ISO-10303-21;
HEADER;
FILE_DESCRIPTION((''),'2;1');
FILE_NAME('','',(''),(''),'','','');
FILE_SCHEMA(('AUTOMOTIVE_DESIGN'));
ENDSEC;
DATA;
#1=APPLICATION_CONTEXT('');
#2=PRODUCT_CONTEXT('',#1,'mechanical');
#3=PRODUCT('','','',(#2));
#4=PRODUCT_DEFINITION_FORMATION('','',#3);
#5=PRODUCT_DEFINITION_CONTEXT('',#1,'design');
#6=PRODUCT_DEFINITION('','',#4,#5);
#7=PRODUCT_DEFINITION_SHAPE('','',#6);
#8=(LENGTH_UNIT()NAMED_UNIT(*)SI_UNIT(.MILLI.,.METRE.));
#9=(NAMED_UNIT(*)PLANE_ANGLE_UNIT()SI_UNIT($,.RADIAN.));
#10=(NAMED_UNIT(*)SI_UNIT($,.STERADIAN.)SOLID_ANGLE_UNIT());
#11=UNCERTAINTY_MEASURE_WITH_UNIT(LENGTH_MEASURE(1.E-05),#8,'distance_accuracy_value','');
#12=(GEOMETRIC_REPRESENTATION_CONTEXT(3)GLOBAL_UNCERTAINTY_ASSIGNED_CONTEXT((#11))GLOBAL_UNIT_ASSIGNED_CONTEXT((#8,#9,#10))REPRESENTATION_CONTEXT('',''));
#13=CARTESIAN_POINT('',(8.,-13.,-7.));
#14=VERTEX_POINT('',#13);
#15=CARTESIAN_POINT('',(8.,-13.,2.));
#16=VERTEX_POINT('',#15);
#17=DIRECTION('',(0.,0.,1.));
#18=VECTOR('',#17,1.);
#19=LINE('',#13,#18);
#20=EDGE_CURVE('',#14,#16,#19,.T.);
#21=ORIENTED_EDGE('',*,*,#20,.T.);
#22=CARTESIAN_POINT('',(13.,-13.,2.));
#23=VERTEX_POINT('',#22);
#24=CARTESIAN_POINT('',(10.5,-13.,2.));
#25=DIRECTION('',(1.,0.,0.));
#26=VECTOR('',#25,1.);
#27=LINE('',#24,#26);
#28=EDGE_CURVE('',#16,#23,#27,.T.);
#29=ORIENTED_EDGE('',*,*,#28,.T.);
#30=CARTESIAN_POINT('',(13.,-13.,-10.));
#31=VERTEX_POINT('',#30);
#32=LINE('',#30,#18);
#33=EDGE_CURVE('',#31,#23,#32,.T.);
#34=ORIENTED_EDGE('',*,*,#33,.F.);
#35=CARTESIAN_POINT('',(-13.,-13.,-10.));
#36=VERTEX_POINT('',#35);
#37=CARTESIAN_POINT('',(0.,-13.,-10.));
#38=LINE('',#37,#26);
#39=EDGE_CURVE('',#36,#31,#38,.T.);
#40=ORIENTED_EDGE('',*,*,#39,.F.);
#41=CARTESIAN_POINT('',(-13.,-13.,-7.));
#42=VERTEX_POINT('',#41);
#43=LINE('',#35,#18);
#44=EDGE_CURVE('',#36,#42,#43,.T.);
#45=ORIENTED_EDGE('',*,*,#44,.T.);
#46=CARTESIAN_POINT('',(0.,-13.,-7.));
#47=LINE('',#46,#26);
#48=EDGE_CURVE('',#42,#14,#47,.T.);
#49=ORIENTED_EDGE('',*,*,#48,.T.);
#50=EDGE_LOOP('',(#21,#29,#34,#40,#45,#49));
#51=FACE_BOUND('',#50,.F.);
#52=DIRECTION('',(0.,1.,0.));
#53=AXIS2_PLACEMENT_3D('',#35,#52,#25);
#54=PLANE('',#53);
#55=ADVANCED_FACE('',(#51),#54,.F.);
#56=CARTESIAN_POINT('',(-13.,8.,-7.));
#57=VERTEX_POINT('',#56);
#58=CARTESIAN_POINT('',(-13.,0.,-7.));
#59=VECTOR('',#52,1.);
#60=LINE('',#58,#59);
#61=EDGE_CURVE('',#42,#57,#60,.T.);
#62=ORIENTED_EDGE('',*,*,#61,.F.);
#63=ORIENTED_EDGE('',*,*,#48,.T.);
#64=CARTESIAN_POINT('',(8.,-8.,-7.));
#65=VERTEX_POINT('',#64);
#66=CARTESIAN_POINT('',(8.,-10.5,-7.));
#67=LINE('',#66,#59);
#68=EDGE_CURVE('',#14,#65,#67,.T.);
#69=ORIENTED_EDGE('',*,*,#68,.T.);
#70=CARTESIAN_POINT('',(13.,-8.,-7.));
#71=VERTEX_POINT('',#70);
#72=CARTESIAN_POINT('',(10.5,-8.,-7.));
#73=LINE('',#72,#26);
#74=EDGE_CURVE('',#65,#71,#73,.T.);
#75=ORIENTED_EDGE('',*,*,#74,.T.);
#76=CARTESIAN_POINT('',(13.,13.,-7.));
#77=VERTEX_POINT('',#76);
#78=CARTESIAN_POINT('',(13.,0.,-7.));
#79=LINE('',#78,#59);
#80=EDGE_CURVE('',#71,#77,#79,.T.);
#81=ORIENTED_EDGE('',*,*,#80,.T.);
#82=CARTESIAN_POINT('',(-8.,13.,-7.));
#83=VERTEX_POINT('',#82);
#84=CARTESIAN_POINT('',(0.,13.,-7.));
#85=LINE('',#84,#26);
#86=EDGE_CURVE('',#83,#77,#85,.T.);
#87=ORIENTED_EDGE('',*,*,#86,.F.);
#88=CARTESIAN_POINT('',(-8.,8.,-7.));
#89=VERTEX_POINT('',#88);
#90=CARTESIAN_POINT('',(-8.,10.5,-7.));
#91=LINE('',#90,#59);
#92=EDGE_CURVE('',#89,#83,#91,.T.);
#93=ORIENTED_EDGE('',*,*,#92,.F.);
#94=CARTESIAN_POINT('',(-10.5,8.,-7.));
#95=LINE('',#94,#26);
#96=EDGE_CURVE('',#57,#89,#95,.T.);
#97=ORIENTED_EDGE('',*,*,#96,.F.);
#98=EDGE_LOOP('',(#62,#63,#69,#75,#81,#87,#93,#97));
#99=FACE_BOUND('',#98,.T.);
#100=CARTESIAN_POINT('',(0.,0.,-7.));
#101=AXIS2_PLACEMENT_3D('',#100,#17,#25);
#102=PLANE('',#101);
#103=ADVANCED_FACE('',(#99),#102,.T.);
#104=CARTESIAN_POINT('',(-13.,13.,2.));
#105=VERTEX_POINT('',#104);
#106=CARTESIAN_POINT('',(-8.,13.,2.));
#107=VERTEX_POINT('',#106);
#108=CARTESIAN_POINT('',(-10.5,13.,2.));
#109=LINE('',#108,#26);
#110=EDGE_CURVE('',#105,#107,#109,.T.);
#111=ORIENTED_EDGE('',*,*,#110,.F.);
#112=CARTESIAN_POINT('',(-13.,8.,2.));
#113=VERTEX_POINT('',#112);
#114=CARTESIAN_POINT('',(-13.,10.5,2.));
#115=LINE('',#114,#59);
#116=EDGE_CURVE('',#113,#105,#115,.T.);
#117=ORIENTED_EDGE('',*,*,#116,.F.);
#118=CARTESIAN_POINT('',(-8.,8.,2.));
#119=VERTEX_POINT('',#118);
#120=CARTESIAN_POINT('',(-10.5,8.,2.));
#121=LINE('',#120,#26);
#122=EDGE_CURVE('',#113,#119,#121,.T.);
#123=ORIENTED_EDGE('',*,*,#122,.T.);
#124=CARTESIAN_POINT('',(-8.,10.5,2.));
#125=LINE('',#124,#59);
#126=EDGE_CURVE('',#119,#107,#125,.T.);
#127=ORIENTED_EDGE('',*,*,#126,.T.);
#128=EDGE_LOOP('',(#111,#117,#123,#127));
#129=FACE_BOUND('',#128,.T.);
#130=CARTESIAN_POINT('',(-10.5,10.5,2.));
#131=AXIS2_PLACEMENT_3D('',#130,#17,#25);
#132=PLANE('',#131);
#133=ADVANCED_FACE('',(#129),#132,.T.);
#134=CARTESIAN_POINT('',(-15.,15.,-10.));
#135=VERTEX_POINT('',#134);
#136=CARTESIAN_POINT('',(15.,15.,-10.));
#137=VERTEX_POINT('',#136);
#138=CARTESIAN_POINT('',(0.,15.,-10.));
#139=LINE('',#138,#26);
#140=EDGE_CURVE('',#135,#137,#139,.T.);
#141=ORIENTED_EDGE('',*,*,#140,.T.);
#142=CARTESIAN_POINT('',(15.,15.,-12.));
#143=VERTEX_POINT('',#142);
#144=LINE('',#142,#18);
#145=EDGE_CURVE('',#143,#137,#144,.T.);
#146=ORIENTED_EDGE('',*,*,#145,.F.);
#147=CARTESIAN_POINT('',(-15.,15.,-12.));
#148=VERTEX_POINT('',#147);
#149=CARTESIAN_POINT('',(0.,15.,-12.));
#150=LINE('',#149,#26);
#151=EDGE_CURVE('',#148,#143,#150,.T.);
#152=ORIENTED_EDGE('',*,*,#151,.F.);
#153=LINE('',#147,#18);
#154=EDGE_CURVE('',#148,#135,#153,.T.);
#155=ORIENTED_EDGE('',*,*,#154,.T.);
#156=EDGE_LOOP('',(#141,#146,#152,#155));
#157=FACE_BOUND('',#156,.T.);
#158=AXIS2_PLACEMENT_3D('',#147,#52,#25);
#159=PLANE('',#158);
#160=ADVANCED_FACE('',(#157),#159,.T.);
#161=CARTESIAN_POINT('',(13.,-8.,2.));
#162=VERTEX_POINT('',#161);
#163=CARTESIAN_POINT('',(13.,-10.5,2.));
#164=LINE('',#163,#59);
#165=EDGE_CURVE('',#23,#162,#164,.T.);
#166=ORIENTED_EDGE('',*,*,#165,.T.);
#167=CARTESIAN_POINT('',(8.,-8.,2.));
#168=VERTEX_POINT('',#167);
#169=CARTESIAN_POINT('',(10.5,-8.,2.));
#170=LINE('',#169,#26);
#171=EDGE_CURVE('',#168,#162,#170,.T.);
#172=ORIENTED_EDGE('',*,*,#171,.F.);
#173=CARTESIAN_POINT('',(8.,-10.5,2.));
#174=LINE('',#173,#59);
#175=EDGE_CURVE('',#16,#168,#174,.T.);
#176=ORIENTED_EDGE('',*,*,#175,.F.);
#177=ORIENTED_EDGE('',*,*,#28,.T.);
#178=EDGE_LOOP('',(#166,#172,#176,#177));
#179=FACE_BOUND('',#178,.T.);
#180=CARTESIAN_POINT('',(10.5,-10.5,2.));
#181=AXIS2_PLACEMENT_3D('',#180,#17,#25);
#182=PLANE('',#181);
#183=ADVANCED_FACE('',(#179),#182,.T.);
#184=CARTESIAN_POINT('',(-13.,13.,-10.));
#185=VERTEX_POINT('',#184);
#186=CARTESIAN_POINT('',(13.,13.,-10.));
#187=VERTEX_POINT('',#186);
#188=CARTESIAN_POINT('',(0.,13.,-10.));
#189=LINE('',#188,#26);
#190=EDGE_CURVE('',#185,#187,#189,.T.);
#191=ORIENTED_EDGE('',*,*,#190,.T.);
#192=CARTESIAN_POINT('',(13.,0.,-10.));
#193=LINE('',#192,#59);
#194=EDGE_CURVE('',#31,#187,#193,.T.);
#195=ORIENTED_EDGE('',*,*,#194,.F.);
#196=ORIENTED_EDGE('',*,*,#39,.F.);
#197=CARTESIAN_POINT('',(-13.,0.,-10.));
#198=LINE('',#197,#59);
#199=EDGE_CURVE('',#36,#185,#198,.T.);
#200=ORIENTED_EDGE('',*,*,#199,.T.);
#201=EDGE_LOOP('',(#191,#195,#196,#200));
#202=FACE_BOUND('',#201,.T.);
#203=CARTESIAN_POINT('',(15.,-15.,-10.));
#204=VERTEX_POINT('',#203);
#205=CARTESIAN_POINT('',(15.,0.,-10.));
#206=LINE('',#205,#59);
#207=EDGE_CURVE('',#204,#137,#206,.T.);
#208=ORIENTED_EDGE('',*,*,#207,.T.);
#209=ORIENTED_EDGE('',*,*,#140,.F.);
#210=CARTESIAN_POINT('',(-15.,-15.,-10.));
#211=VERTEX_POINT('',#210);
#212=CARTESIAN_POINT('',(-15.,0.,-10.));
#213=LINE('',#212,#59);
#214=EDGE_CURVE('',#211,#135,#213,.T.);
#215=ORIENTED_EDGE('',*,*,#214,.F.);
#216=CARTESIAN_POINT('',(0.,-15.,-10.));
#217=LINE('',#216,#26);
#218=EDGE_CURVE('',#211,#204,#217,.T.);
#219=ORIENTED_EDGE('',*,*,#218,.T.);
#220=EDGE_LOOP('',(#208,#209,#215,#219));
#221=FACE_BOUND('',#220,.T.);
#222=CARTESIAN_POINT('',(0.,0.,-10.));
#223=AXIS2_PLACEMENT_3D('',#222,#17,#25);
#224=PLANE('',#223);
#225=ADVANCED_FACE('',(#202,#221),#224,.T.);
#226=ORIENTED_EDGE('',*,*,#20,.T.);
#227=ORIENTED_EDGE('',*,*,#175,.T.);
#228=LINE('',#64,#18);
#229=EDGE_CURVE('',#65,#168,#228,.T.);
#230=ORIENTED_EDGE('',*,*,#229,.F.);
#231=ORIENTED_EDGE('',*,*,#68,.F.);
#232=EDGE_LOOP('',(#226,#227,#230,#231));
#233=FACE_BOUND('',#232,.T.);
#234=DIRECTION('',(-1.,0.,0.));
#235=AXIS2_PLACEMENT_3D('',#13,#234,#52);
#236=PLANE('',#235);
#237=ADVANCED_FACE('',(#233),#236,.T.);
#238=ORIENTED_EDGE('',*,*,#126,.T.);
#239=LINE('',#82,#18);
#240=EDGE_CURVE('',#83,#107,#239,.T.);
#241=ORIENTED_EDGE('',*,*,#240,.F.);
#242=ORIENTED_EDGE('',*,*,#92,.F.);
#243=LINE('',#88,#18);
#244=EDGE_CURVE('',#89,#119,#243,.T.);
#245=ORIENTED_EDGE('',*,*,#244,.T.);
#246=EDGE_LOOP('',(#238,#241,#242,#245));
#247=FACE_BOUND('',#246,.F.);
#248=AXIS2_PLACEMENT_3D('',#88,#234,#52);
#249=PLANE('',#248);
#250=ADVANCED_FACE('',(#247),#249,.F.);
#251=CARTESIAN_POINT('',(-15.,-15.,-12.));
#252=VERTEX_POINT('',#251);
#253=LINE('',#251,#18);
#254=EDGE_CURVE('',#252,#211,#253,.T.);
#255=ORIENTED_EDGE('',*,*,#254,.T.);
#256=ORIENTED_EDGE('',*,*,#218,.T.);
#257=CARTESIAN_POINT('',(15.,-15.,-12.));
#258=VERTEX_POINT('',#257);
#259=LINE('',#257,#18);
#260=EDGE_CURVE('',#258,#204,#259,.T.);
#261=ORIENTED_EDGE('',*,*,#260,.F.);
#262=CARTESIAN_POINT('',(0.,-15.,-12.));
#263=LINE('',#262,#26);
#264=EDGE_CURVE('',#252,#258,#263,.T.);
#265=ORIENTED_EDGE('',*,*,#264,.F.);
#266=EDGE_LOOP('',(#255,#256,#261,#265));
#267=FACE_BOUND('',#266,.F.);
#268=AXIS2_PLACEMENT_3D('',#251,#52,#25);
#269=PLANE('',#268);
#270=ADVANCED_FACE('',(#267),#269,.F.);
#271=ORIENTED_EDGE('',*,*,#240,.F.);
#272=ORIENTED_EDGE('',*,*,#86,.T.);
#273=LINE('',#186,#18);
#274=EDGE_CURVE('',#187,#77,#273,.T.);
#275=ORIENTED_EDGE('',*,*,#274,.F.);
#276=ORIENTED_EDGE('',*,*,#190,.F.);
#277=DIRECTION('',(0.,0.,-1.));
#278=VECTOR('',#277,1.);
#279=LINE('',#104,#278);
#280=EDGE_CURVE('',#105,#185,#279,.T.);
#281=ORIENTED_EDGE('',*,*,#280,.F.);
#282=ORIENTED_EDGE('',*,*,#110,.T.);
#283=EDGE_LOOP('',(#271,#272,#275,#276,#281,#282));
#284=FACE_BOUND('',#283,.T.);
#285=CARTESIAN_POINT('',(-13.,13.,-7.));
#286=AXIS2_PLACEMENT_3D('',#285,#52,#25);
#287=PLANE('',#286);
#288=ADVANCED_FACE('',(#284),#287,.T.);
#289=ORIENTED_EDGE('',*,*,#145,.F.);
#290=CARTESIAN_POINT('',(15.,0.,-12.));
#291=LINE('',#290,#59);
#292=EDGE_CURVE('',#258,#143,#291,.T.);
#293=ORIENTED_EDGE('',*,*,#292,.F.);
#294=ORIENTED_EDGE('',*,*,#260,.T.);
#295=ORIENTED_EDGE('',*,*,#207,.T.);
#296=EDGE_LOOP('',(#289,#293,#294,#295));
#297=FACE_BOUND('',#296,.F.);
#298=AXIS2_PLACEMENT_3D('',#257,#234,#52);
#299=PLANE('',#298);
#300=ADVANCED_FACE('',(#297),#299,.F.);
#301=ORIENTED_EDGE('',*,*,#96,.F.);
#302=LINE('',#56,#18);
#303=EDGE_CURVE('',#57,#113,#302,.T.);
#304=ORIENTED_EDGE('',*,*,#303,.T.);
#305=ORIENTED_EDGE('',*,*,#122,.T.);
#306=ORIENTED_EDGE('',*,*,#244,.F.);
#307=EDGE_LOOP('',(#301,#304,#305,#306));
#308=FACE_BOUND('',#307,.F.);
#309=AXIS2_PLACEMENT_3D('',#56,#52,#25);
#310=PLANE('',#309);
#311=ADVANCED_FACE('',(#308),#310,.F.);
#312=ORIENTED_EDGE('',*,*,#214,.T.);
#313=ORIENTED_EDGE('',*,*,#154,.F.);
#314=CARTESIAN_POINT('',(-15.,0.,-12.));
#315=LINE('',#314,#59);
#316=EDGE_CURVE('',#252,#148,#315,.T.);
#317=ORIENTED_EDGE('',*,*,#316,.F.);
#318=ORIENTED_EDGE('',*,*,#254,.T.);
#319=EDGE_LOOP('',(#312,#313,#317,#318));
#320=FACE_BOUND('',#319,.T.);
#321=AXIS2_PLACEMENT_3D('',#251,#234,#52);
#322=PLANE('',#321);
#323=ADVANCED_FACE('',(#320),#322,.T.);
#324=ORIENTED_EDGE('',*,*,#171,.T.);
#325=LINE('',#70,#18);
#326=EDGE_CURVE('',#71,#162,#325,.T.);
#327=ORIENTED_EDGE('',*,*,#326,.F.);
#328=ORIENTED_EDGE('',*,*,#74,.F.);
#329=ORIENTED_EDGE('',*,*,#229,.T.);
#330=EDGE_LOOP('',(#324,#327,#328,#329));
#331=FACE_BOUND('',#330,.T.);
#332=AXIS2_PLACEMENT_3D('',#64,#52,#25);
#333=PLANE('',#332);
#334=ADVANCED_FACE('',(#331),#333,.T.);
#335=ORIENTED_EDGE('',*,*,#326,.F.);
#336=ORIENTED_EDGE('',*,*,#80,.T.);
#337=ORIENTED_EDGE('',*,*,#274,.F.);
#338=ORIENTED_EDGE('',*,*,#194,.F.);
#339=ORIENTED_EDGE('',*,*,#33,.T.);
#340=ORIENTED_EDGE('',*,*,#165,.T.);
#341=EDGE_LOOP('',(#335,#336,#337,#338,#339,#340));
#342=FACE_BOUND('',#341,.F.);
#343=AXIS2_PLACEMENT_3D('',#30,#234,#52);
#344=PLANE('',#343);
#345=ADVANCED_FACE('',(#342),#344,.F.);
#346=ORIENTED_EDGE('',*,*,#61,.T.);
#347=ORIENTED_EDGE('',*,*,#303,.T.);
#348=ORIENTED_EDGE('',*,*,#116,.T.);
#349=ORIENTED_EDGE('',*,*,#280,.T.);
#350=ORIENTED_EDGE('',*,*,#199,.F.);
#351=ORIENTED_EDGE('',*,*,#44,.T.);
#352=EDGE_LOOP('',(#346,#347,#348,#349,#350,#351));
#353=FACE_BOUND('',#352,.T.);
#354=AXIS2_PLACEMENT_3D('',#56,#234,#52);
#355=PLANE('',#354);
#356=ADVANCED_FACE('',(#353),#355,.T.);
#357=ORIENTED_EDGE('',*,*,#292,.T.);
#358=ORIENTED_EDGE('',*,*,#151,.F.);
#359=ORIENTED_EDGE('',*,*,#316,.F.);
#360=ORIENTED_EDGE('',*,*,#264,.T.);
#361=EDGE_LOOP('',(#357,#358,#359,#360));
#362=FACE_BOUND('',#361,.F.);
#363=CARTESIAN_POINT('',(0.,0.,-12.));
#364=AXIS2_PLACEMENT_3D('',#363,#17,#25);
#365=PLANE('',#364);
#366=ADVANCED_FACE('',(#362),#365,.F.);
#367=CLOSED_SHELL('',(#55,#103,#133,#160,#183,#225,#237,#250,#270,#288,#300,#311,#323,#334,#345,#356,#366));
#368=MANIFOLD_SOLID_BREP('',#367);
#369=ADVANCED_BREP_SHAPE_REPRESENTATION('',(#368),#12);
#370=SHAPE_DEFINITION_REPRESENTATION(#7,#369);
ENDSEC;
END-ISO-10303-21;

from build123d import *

# Parameters (mm, degrees)
BOX013_W     = 26
BOX013_H     = 26
BOX013_DEPTH = 3
BOX014_W     = 5
BOX014_H     = 5
BOX014_DEPTH = 9
BOX012_W     = 30
BOX012_H     = 30
BOX012_DEPTH = 2
BOX015_W     = 5
BOX015_H     = 5
BOX015_DEPTH = 9


with BuildPart() as kapakic:
    # Box013 → Box013 (new body)
    with BuildSketch(Plane(origin=(-13, -13, -10), x_dir=(1, 0, 0), z_dir=(0, 0, 1))):
        with Locations((13, 13)):
            Rectangle(BOX013_W, BOX013_H)
    extrude(amount=BOX013_DEPTH)


with BuildPart() as kapakcikinti1:
    # Box014 → Box014 (new body)
    with BuildSketch(Plane(origin=(-13, 8, -7), x_dir=(1, 0, 0), z_dir=(0, 0, 1))):
        with Locations((2.5, 2.5)):
            Rectangle(BOX014_W, BOX014_H)
    extrude(amount=BOX014_DEPTH)


with BuildPart() as kapakgenis:
    # Box012 → Box012 (new body)
    with BuildSketch(Plane(origin=(-15, -15, -12), x_dir=(1, 0, 0), z_dir=(0, 0, 1))):
        with Locations((15, 15)):
            Rectangle(BOX012_W, BOX012_H)
    extrude(amount=BOX012_DEPTH)


with BuildPart() as fusion004:
    # Box015 → Box015 (new body)
    with BuildSketch(Plane(origin=(8, -13, -7), x_dir=(1, 0, 0), z_dir=(0, 0, 1))):
        with Locations((2.5, 2.5)):
            Rectangle(BOX015_W, BOX015_H)
    extrude(amount=BOX015_DEPTH)

    # Fusion004: union KapakIc, KapakCikinti1, KapakGenis
    add(kapakic.part)
    add(kapakcikinti1.part)
    add(kapakgenis.part)


solid = fusion004.part
